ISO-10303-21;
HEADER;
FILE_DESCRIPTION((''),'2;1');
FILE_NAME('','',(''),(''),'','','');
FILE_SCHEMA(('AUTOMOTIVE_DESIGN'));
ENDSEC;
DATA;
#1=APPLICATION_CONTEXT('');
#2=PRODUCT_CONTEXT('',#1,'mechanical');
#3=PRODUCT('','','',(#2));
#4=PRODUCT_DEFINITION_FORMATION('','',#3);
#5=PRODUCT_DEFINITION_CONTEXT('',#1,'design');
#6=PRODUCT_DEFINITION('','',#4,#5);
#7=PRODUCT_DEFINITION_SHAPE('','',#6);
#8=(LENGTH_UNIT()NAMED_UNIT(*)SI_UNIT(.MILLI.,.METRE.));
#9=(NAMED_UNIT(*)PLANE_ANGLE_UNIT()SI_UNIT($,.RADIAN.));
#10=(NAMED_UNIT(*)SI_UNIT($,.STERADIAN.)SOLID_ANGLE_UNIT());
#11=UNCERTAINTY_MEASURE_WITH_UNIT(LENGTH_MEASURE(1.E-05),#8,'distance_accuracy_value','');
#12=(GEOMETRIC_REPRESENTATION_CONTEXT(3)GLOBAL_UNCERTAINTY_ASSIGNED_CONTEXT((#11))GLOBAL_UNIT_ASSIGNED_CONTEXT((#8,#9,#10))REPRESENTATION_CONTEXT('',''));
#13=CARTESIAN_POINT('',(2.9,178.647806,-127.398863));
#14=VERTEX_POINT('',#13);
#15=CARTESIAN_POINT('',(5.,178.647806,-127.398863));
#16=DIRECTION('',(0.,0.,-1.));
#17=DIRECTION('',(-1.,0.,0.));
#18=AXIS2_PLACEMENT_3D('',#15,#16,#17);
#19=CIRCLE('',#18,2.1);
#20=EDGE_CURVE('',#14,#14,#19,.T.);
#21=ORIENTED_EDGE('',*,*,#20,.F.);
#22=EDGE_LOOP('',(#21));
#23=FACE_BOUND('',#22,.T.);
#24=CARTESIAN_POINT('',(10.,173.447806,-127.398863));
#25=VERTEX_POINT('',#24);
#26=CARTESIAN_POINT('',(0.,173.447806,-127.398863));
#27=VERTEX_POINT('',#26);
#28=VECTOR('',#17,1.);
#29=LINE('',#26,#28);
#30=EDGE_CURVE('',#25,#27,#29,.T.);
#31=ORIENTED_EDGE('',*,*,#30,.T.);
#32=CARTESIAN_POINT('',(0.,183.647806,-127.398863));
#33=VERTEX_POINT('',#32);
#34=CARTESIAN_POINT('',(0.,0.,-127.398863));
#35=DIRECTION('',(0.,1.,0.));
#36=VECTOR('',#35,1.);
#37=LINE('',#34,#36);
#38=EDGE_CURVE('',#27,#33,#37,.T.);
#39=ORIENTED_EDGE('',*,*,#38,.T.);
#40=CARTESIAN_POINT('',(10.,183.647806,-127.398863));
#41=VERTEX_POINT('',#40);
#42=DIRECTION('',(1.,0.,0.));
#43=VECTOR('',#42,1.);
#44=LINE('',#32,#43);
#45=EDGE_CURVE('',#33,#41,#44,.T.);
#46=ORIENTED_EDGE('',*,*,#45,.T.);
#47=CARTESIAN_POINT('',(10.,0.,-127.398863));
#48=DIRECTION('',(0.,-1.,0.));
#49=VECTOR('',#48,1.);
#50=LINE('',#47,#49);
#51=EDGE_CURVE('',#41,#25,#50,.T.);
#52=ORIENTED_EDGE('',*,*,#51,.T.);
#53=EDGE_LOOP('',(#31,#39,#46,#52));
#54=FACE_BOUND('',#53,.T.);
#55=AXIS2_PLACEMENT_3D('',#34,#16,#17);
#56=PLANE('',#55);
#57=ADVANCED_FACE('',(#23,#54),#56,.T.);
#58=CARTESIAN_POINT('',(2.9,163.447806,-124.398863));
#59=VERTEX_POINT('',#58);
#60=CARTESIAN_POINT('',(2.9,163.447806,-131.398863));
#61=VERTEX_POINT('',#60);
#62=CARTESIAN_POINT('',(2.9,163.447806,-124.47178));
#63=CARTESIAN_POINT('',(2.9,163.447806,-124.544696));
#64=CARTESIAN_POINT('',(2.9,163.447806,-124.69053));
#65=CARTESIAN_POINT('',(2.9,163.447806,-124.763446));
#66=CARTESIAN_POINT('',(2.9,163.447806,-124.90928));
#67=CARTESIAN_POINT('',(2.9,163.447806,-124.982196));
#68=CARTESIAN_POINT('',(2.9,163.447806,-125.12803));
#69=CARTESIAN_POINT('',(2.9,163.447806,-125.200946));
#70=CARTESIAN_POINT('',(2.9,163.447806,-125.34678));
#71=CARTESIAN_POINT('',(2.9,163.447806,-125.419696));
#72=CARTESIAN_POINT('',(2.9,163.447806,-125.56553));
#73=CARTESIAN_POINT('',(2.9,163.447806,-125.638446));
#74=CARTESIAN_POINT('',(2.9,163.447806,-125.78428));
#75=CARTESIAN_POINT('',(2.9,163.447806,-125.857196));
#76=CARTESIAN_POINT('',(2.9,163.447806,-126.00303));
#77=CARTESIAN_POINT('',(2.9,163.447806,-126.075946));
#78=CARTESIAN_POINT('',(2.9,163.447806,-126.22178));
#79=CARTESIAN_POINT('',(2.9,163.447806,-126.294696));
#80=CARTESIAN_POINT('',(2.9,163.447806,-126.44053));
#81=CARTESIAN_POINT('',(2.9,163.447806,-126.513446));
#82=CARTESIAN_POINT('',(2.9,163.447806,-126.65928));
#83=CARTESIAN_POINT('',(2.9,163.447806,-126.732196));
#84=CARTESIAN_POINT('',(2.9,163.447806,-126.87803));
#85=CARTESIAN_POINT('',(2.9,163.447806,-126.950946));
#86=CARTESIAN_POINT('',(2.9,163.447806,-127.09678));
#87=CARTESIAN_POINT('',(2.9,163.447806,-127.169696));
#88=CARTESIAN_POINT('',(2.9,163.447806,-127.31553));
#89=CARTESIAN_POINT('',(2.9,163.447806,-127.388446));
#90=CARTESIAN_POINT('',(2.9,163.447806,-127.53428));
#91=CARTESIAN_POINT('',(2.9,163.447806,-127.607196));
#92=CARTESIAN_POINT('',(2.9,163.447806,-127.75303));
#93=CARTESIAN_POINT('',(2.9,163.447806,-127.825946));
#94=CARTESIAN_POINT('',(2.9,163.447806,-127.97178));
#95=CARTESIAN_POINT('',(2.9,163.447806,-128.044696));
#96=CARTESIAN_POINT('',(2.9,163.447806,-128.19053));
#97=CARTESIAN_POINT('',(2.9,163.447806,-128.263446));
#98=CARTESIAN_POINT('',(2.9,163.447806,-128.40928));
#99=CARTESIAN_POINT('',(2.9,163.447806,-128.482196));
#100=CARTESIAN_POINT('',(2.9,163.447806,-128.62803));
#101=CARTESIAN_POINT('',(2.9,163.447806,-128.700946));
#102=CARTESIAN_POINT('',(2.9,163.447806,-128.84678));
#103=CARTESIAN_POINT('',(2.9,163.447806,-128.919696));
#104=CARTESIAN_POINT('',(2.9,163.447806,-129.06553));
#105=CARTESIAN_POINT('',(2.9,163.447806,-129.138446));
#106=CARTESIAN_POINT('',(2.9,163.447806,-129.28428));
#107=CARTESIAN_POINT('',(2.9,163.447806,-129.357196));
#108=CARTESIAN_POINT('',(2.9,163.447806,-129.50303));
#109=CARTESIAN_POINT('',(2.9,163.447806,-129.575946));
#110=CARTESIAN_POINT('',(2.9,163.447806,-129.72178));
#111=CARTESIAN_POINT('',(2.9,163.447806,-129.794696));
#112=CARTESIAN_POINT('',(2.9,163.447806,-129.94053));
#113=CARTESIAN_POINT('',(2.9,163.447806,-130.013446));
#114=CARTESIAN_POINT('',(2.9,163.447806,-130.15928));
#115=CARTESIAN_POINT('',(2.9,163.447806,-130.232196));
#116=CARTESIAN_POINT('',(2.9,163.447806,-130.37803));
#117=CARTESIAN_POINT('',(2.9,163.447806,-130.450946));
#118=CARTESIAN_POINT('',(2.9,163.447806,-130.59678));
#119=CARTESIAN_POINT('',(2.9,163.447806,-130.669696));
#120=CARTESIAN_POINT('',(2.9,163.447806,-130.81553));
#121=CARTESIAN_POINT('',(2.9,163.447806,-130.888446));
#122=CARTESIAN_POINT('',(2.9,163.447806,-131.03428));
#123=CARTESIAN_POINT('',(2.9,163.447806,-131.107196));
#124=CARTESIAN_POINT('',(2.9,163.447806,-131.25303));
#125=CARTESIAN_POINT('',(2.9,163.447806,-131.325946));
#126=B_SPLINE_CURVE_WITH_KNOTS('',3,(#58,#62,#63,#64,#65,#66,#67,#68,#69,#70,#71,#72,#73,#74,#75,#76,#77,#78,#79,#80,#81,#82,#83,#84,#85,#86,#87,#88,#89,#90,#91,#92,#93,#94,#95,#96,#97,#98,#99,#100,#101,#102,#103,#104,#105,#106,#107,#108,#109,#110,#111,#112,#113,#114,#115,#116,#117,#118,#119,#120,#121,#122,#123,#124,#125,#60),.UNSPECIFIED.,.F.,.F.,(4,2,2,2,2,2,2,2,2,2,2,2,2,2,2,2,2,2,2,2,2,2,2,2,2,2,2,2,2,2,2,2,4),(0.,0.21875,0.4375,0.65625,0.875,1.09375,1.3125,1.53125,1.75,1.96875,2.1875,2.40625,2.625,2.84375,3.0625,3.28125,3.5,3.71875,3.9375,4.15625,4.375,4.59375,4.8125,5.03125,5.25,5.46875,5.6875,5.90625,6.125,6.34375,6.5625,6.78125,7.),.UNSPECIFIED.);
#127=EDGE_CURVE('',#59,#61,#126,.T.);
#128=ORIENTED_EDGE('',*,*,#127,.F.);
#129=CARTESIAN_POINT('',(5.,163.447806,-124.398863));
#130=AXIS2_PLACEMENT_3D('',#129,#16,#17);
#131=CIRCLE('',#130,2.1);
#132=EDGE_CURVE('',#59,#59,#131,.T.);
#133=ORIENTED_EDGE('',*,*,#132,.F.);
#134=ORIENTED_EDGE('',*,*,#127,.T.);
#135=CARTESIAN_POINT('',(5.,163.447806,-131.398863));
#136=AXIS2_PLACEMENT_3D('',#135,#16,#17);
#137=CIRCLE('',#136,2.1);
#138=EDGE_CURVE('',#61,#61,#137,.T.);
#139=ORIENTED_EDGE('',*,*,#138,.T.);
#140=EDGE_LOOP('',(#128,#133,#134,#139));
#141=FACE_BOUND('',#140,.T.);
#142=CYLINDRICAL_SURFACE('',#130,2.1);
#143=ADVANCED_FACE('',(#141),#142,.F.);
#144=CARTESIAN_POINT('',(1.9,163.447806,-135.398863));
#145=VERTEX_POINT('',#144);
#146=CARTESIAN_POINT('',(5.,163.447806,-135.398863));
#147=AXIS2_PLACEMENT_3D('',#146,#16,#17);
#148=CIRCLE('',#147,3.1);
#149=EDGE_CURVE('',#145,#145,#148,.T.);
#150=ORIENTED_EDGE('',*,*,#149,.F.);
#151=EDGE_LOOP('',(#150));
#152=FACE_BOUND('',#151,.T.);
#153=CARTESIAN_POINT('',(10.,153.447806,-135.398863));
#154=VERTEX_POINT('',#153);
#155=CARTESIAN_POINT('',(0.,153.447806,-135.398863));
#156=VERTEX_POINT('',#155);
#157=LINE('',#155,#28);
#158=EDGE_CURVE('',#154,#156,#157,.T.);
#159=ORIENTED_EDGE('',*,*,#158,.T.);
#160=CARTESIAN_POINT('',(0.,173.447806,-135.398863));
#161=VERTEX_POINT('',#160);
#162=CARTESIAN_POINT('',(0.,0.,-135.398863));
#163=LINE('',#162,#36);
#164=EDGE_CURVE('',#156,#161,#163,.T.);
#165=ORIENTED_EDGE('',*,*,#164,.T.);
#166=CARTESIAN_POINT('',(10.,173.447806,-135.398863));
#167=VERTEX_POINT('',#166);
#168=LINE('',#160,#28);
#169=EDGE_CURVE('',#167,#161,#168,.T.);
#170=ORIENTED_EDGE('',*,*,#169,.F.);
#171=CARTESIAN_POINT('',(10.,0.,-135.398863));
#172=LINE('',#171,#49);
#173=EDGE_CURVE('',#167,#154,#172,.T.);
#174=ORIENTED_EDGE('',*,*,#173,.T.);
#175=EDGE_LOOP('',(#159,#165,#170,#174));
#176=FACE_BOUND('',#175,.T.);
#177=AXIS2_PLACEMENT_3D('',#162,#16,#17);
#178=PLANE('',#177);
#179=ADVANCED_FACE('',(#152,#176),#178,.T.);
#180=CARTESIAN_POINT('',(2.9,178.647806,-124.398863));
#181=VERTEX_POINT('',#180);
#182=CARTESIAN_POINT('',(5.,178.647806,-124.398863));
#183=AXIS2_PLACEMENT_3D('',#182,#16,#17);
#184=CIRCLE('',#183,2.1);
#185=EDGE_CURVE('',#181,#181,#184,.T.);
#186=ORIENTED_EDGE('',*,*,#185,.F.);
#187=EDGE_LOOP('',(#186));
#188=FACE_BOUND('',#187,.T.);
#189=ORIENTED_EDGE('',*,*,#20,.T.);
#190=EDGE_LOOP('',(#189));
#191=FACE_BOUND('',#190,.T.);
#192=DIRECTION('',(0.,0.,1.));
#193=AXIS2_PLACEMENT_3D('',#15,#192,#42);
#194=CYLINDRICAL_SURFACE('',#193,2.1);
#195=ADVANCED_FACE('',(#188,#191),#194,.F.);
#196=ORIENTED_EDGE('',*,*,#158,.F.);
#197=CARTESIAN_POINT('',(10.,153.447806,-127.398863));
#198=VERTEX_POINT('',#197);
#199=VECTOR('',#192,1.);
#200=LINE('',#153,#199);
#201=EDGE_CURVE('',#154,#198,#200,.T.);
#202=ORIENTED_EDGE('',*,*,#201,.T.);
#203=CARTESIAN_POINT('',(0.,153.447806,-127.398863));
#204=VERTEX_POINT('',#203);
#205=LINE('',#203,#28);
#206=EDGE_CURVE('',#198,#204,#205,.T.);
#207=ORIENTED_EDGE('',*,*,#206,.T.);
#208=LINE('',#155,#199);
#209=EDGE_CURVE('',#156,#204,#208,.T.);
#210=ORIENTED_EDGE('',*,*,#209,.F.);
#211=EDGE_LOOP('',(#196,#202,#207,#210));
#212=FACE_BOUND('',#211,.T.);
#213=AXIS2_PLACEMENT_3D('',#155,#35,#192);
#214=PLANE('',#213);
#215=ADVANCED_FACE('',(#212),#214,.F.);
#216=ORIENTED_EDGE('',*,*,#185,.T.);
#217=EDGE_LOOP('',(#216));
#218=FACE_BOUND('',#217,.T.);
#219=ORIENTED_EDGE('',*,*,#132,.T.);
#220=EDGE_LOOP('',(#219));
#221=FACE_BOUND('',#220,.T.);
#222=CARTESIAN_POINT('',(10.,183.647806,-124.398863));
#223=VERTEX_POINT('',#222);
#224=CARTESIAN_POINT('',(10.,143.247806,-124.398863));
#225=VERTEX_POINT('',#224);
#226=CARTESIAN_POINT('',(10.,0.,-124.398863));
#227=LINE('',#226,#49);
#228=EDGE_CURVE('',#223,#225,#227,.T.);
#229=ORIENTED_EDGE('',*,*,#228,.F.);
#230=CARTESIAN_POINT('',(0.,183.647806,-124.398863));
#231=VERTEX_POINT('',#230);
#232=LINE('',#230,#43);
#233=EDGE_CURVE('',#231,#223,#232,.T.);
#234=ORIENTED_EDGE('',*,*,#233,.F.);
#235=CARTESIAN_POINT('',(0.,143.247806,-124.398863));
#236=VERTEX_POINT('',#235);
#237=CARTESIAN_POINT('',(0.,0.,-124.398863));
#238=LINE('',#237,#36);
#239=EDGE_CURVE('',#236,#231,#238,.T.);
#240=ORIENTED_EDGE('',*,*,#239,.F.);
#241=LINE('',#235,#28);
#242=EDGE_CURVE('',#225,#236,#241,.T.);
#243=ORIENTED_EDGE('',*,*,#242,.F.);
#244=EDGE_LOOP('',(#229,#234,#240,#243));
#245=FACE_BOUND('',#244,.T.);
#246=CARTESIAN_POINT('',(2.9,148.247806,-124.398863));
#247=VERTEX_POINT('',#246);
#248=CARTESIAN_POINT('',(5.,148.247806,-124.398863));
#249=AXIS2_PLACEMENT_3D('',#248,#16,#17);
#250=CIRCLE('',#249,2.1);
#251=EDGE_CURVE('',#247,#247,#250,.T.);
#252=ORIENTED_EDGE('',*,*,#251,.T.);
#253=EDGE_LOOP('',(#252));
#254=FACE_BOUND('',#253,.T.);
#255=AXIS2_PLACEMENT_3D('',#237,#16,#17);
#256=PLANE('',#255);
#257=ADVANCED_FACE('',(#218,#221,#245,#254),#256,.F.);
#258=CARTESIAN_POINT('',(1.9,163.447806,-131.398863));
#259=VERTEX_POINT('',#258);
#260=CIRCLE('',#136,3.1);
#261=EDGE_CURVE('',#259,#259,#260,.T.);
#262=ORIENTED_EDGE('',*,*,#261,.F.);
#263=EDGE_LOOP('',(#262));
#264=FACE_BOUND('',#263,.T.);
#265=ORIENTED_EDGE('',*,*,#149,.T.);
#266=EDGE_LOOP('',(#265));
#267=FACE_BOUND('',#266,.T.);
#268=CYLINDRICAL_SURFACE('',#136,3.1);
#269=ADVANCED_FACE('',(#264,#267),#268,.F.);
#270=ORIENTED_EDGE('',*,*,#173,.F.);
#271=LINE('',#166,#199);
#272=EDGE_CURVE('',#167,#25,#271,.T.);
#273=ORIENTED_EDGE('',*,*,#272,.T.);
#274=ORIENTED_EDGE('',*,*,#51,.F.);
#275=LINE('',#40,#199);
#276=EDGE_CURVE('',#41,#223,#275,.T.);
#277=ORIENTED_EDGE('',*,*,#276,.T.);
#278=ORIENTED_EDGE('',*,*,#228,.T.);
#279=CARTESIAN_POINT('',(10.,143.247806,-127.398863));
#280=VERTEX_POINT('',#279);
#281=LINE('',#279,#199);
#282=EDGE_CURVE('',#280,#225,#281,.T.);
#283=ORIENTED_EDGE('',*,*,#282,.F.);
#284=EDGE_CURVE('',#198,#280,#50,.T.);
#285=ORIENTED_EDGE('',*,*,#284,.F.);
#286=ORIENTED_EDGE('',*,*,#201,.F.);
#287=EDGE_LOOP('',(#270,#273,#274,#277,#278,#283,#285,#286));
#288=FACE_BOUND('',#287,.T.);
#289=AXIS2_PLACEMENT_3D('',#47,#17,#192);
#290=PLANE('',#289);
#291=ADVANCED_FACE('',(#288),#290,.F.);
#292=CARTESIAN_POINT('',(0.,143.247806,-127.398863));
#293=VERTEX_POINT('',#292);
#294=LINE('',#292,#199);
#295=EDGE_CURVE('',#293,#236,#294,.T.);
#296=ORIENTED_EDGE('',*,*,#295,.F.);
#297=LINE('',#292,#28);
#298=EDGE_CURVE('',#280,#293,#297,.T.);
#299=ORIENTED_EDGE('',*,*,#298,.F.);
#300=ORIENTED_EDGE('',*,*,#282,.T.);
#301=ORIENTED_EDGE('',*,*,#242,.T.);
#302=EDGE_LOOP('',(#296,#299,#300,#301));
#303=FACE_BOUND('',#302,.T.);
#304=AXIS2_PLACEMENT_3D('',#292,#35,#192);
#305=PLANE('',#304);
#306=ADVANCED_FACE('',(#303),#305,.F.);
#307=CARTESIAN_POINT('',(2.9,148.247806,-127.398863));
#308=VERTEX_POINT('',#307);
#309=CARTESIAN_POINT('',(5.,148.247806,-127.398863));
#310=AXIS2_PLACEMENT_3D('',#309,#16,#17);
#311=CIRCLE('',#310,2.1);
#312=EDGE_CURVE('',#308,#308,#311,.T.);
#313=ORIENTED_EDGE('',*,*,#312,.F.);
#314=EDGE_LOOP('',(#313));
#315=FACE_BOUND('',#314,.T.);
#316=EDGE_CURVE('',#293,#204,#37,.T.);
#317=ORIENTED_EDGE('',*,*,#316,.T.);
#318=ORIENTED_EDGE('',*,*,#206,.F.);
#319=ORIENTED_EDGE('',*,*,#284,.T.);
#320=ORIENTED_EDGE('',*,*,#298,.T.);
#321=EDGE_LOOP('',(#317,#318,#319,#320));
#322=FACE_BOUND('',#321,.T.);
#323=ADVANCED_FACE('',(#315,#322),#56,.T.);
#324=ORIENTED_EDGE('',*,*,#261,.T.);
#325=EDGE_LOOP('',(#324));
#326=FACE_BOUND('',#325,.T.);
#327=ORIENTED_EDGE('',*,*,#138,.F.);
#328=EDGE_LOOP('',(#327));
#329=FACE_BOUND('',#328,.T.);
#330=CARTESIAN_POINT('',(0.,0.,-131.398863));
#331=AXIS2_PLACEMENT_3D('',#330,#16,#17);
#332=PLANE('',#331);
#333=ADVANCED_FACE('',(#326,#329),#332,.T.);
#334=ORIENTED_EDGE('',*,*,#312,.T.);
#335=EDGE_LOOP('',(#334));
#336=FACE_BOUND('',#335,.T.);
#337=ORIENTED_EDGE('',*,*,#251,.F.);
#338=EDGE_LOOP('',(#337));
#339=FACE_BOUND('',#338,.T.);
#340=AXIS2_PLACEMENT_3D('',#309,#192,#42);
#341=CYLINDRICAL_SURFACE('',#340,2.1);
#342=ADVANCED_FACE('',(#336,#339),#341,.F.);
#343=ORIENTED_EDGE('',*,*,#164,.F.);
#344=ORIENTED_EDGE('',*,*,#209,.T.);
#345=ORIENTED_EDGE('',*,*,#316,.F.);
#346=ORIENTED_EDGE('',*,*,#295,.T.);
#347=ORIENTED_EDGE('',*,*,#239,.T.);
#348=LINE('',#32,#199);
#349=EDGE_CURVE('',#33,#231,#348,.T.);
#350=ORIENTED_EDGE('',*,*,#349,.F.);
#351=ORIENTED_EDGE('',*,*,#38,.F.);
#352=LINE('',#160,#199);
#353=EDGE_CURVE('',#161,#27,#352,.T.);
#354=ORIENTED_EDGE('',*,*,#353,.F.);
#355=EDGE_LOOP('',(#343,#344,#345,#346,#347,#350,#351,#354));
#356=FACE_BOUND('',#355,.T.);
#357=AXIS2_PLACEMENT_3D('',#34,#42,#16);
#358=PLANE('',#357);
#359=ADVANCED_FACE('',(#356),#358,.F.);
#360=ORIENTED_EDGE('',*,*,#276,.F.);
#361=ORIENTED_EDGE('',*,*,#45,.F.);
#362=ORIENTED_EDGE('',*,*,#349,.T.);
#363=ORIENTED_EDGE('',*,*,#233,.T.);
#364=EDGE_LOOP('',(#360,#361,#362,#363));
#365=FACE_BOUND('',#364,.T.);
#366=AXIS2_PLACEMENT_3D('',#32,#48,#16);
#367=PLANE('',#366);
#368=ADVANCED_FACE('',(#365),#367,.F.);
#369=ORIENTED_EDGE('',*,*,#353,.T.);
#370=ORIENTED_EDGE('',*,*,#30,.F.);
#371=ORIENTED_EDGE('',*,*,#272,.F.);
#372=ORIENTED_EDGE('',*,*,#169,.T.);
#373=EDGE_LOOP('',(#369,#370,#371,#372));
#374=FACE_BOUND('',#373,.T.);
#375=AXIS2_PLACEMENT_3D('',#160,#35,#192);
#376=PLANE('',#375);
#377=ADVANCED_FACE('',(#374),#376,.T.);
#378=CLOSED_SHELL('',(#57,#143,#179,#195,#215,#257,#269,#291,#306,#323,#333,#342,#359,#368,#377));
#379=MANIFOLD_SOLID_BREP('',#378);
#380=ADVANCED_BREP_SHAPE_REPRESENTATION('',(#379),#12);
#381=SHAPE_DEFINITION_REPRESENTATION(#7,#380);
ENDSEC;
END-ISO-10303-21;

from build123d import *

# Parameters (mm, degrees)
CROQUIS1_W              = 10
CROQUIS1_H              = 10
CROQUIS1_H_2            = 20.4
CROQUIS1_R              = 2.1
SALIENTE_EXTRUIR1_DEPTH = 3
CROQUIS2_W              = 5
CROQUIS2_H              = 20
SALIENTE_EXTRUIR2_DEPTH = 8
CORTAR_EXTRUIR1_DEPTH   = 4
CROQUIS4_R              = 2.1
CORTAR_EXTRUIR2_DEPTH   = 185.05302625


with BuildPart() as part:
    # Croquis1 → Saliente-Extruir1 (new body)
    # profile 1 of 6: a face of its own
    with BuildSketch(Plane(origin=(0, 0, -124.398862982), x_dir=(-1, 0, 0), z_dir=(0, 0, -1))):
        with Locations((-5, 178.647805519)):
            Rectangle(CROQUIS1_W, CROQUIS1_H)
        with BuildLine():
            ThreePointArc((-7.522554348, 176.84593994), (-7.904499228, 177.217722585), (-8.39233871, 177.432470964))
            ThreePointArc((-8.39233871, 177.432470964), (-9.35, 178.647805519), (-8.39233871, 179.863140073))
            ThreePointArc((-8.39233871, 179.863140073), (-7.904499228, 180.077888452), (-7.522554348, 180.449671097))
            ThreePointArc((-7.522554348, 180.449671097), (-1.9, 178.647805519), (-7.522554348, 176.84593994))
        make_face(mode=Mode.SUBTRACT)
    # profile 2 of 6: a face of its own
    with BuildSketch(Plane(origin=(0, 0, -124.398862982), x_dir=(-1, 0, 0), z_dir=(0, 0, -1))):
        with Locations((-5, 163.447805519)):
            Rectangle(CROQUIS1_W, CROQUIS1_H_2)
    # profile 3 of 6: a face of its own
    with BuildSketch(Plane(origin=(0, 0, -124.398862982), x_dir=(-1, 0, 0), z_dir=(0, 0, -1))):
        with Locations((-5, 148.247805519)):
            Rectangle(CROQUIS1_W, CROQUIS1_H)
        with BuildLine():
            ThreePointArc((-1.9, 148.247805519), (-4.053934061, 145.295694538), (-7.522554348, 146.44593994))
            ThreePointArc((-7.522554348, 146.44593994), (-8.1, 148.247805519), (-7.522554348, 150.049671097))
            ThreePointArc((-7.522554348, 150.049671097), (-4.053934061, 151.199916499), (-1.9, 148.247805519))
        make_face(mode=Mode.SUBTRACT)
    # profile 4 of 6: a face of its own
    with BuildSketch(Plane(origin=(0, 0, -124.398862982), x_dir=(-1, 0, 0), z_dir=(0, 0, -1))):
        with BuildLine():
            ThreePointArc((-7.522554348, 150.049671097), (-8.1, 148.247805519), (-7.522554348, 146.44593994))
            ThreePointArc((-7.522554348, 146.44593994), (-4.053934061, 145.295694538), (-1.9, 148.247805519))
            ThreePointArc((-1.9, 148.247805519), (-4.053934061, 151.199916499), (-7.522554348, 150.049671097))
        make_face()
        with Locations((-5, 148.247805519)):
            Circle(CROQUIS1_R, mode=Mode.SUBTRACT)
    # profile 5 of 6: a face of its own
    with BuildSketch(Plane(origin=(0, 0, -124.398862982), x_dir=(-1, 0, 0), z_dir=(0, 0, -1))):
        with BuildLine():
            ThreePointArc((-7.522554348, 180.449671097), (-8.1, 178.647805519), (-7.522554348, 176.84593994))
            ThreePointArc((-7.522554348, 176.84593994), (-4.053934061, 175.695694538), (-1.9, 178.647805519))
            ThreePointArc((-1.9, 178.647805519), (-4.053934061, 181.599916499), (-7.522554348, 180.449671097))
        make_face()
        with Locations((-5, 178.647805519)):
            Circle(CROQUIS1_R, mode=Mode.SUBTRACT)
    # profile 6 of 6: a face of its own
    with BuildSketch(Plane(origin=(0, 0, -124.398862982), x_dir=(-1, 0, 0), z_dir=(0, 0, -1))):
        with BuildLine():
            ThreePointArc((-8.39233871, 177.432470964), (-7.904499228, 177.217722585), (-7.522554348, 176.84593994))
            ThreePointArc((-7.522554348, 176.84593994), (-8.1, 178.647805519), (-7.522554348, 180.449671097))
            ThreePointArc((-7.522554348, 180.449671097), (-7.904499228, 180.077888452), (-8.39233871, 179.863140073))
            ThreePointArc((-8.39233871, 179.863140073), (-9.35, 178.647805519), (-8.39233871, 177.432470964))
        make_face()
    extrude(amount=SALIENTE_EXTRUIR1_DEPTH)

    # Croquis2 → Saliente-Extruir2 (add)
    with BuildSketch(Plane(origin=(0, 0, -127.398862982), x_dir=(-1, 0, 0), z_dir=(0, 0, -1))):
        with Locations((-2.5, 163.447805519)):
            Rectangle(CROQUIS2_W, CROQUIS2_H)
        with Locations((-7.5, 163.447805519)):
            Rectangle(CROQUIS2_W, CROQUIS2_H)
    extrude(amount=SALIENTE_EXTRUIR2_DEPTH)

    # Croquis3 → Cortar-Extruir1 (cut)
    with BuildSketch(Plane(origin=(0, 0, -135.398862982), x_dir=(-1, 0, 0), z_dir=(0, 0, -1))):
        with BuildLine():
            ThreePointArc((-1.9, 163.447805519), (-2.807968978, 165.63983654), (-5, 166.547805519))
            Line((-5, 166.547805519), (-5, 160.347805519))
            ThreePointArc((-5, 160.347805519), (-2.807968978, 161.255774497), (-1.9, 163.447805519))
        make_face()
        with BuildLine():
            Line((-5, 160.347805519), (-5, 166.547805519))
            ThreePointArc((-5, 166.547805519), (-8.1, 163.447805519), (-5, 160.347805519))
        make_face()
    extrude(amount=-CORTAR_EXTRUIR1_DEPTH, mode=Mode.SUBTRACT)

    # Croquis4 → Cortar-Extruir2 (cut, through all)
    with BuildSketch(Plane(origin=(0, 0, -131.398862982), x_dir=(-1, 0, 0), z_dir=(0, 0, -1))):
        with Locations((-5, 163.447805519)):
            Circle(CROQUIS4_R)
    extrude(amount=-CORTAR_EXTRUIR2_DEPTH, mode=Mode.SUBTRACT)


solid = part.part
